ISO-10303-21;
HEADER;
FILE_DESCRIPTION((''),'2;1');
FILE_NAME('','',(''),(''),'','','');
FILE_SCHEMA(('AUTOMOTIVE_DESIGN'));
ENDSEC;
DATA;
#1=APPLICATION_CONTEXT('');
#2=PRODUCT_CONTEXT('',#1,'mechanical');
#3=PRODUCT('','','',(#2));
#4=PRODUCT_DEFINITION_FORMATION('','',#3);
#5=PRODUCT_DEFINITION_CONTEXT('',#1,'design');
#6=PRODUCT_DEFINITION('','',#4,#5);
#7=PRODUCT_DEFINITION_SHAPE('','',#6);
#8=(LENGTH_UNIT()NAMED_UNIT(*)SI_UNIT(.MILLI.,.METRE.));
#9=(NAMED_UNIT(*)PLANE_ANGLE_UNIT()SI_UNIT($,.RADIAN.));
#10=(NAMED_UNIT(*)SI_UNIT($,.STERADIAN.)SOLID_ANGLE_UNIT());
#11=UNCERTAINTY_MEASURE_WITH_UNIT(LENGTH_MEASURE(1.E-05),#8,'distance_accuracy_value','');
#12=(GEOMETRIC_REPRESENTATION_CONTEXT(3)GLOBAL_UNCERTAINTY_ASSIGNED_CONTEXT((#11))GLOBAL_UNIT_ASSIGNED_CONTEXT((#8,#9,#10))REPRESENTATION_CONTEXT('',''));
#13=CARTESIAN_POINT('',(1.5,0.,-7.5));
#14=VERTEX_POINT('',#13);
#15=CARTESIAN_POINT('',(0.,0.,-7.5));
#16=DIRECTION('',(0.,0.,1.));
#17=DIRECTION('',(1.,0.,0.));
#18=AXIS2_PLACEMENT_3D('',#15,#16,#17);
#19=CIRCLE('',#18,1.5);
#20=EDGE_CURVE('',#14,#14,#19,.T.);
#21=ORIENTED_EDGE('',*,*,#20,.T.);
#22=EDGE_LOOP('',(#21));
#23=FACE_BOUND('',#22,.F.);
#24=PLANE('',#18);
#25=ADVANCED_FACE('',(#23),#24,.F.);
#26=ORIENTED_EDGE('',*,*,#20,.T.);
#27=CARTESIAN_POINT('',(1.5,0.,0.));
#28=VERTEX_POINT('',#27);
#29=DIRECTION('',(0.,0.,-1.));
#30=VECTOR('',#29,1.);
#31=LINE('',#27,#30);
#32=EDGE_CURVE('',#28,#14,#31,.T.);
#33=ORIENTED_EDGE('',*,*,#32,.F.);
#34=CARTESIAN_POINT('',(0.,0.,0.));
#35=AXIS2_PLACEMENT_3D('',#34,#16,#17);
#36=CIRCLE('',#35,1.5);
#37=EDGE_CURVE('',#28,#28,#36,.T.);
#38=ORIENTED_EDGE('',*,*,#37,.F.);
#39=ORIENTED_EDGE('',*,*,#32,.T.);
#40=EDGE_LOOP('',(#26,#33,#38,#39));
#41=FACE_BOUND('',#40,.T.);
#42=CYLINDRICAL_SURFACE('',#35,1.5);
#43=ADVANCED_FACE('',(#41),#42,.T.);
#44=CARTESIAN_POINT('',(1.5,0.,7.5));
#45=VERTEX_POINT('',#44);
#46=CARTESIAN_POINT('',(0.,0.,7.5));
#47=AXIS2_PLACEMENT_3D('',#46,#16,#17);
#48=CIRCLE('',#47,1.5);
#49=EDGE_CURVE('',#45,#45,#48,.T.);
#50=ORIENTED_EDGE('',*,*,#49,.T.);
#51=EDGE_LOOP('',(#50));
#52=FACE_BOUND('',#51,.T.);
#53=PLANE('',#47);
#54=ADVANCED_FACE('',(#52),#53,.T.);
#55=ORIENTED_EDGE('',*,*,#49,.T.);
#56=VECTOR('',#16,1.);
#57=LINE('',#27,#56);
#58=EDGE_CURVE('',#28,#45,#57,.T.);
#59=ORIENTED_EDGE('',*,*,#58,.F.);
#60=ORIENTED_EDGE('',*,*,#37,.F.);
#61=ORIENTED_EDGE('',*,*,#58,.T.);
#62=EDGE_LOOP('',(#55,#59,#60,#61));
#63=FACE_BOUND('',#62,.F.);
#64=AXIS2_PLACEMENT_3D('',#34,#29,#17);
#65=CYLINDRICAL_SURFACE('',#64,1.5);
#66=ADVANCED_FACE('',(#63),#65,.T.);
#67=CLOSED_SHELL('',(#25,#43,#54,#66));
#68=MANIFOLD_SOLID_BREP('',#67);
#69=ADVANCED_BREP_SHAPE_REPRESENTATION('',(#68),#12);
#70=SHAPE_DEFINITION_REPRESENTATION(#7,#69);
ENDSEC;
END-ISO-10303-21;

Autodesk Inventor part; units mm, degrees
ref_plane "YZ Plane" through (0, 0, 0) normal (1, 0, 0) x (0, 1, 0)
ref_plane "XZ Plane" through (0, 0, 0) normal (0, 1, 0) x (-1, 0, 0)
ref_plane "XY Plane" through (0, 0, 0) normal (0, 0, 1) x (1, 0, 0)
sketch "Sketch1" plane through (0, 0, 0) normal (0, 0, 1) x (1, 0, 0)
  circle A0 centre (0, 0) radius 1.5
  dimension "d0" = 3
extrude "Extrusion1" add sketch "Sketch1" along normal mid plane 15
properties part number "PinThick"
